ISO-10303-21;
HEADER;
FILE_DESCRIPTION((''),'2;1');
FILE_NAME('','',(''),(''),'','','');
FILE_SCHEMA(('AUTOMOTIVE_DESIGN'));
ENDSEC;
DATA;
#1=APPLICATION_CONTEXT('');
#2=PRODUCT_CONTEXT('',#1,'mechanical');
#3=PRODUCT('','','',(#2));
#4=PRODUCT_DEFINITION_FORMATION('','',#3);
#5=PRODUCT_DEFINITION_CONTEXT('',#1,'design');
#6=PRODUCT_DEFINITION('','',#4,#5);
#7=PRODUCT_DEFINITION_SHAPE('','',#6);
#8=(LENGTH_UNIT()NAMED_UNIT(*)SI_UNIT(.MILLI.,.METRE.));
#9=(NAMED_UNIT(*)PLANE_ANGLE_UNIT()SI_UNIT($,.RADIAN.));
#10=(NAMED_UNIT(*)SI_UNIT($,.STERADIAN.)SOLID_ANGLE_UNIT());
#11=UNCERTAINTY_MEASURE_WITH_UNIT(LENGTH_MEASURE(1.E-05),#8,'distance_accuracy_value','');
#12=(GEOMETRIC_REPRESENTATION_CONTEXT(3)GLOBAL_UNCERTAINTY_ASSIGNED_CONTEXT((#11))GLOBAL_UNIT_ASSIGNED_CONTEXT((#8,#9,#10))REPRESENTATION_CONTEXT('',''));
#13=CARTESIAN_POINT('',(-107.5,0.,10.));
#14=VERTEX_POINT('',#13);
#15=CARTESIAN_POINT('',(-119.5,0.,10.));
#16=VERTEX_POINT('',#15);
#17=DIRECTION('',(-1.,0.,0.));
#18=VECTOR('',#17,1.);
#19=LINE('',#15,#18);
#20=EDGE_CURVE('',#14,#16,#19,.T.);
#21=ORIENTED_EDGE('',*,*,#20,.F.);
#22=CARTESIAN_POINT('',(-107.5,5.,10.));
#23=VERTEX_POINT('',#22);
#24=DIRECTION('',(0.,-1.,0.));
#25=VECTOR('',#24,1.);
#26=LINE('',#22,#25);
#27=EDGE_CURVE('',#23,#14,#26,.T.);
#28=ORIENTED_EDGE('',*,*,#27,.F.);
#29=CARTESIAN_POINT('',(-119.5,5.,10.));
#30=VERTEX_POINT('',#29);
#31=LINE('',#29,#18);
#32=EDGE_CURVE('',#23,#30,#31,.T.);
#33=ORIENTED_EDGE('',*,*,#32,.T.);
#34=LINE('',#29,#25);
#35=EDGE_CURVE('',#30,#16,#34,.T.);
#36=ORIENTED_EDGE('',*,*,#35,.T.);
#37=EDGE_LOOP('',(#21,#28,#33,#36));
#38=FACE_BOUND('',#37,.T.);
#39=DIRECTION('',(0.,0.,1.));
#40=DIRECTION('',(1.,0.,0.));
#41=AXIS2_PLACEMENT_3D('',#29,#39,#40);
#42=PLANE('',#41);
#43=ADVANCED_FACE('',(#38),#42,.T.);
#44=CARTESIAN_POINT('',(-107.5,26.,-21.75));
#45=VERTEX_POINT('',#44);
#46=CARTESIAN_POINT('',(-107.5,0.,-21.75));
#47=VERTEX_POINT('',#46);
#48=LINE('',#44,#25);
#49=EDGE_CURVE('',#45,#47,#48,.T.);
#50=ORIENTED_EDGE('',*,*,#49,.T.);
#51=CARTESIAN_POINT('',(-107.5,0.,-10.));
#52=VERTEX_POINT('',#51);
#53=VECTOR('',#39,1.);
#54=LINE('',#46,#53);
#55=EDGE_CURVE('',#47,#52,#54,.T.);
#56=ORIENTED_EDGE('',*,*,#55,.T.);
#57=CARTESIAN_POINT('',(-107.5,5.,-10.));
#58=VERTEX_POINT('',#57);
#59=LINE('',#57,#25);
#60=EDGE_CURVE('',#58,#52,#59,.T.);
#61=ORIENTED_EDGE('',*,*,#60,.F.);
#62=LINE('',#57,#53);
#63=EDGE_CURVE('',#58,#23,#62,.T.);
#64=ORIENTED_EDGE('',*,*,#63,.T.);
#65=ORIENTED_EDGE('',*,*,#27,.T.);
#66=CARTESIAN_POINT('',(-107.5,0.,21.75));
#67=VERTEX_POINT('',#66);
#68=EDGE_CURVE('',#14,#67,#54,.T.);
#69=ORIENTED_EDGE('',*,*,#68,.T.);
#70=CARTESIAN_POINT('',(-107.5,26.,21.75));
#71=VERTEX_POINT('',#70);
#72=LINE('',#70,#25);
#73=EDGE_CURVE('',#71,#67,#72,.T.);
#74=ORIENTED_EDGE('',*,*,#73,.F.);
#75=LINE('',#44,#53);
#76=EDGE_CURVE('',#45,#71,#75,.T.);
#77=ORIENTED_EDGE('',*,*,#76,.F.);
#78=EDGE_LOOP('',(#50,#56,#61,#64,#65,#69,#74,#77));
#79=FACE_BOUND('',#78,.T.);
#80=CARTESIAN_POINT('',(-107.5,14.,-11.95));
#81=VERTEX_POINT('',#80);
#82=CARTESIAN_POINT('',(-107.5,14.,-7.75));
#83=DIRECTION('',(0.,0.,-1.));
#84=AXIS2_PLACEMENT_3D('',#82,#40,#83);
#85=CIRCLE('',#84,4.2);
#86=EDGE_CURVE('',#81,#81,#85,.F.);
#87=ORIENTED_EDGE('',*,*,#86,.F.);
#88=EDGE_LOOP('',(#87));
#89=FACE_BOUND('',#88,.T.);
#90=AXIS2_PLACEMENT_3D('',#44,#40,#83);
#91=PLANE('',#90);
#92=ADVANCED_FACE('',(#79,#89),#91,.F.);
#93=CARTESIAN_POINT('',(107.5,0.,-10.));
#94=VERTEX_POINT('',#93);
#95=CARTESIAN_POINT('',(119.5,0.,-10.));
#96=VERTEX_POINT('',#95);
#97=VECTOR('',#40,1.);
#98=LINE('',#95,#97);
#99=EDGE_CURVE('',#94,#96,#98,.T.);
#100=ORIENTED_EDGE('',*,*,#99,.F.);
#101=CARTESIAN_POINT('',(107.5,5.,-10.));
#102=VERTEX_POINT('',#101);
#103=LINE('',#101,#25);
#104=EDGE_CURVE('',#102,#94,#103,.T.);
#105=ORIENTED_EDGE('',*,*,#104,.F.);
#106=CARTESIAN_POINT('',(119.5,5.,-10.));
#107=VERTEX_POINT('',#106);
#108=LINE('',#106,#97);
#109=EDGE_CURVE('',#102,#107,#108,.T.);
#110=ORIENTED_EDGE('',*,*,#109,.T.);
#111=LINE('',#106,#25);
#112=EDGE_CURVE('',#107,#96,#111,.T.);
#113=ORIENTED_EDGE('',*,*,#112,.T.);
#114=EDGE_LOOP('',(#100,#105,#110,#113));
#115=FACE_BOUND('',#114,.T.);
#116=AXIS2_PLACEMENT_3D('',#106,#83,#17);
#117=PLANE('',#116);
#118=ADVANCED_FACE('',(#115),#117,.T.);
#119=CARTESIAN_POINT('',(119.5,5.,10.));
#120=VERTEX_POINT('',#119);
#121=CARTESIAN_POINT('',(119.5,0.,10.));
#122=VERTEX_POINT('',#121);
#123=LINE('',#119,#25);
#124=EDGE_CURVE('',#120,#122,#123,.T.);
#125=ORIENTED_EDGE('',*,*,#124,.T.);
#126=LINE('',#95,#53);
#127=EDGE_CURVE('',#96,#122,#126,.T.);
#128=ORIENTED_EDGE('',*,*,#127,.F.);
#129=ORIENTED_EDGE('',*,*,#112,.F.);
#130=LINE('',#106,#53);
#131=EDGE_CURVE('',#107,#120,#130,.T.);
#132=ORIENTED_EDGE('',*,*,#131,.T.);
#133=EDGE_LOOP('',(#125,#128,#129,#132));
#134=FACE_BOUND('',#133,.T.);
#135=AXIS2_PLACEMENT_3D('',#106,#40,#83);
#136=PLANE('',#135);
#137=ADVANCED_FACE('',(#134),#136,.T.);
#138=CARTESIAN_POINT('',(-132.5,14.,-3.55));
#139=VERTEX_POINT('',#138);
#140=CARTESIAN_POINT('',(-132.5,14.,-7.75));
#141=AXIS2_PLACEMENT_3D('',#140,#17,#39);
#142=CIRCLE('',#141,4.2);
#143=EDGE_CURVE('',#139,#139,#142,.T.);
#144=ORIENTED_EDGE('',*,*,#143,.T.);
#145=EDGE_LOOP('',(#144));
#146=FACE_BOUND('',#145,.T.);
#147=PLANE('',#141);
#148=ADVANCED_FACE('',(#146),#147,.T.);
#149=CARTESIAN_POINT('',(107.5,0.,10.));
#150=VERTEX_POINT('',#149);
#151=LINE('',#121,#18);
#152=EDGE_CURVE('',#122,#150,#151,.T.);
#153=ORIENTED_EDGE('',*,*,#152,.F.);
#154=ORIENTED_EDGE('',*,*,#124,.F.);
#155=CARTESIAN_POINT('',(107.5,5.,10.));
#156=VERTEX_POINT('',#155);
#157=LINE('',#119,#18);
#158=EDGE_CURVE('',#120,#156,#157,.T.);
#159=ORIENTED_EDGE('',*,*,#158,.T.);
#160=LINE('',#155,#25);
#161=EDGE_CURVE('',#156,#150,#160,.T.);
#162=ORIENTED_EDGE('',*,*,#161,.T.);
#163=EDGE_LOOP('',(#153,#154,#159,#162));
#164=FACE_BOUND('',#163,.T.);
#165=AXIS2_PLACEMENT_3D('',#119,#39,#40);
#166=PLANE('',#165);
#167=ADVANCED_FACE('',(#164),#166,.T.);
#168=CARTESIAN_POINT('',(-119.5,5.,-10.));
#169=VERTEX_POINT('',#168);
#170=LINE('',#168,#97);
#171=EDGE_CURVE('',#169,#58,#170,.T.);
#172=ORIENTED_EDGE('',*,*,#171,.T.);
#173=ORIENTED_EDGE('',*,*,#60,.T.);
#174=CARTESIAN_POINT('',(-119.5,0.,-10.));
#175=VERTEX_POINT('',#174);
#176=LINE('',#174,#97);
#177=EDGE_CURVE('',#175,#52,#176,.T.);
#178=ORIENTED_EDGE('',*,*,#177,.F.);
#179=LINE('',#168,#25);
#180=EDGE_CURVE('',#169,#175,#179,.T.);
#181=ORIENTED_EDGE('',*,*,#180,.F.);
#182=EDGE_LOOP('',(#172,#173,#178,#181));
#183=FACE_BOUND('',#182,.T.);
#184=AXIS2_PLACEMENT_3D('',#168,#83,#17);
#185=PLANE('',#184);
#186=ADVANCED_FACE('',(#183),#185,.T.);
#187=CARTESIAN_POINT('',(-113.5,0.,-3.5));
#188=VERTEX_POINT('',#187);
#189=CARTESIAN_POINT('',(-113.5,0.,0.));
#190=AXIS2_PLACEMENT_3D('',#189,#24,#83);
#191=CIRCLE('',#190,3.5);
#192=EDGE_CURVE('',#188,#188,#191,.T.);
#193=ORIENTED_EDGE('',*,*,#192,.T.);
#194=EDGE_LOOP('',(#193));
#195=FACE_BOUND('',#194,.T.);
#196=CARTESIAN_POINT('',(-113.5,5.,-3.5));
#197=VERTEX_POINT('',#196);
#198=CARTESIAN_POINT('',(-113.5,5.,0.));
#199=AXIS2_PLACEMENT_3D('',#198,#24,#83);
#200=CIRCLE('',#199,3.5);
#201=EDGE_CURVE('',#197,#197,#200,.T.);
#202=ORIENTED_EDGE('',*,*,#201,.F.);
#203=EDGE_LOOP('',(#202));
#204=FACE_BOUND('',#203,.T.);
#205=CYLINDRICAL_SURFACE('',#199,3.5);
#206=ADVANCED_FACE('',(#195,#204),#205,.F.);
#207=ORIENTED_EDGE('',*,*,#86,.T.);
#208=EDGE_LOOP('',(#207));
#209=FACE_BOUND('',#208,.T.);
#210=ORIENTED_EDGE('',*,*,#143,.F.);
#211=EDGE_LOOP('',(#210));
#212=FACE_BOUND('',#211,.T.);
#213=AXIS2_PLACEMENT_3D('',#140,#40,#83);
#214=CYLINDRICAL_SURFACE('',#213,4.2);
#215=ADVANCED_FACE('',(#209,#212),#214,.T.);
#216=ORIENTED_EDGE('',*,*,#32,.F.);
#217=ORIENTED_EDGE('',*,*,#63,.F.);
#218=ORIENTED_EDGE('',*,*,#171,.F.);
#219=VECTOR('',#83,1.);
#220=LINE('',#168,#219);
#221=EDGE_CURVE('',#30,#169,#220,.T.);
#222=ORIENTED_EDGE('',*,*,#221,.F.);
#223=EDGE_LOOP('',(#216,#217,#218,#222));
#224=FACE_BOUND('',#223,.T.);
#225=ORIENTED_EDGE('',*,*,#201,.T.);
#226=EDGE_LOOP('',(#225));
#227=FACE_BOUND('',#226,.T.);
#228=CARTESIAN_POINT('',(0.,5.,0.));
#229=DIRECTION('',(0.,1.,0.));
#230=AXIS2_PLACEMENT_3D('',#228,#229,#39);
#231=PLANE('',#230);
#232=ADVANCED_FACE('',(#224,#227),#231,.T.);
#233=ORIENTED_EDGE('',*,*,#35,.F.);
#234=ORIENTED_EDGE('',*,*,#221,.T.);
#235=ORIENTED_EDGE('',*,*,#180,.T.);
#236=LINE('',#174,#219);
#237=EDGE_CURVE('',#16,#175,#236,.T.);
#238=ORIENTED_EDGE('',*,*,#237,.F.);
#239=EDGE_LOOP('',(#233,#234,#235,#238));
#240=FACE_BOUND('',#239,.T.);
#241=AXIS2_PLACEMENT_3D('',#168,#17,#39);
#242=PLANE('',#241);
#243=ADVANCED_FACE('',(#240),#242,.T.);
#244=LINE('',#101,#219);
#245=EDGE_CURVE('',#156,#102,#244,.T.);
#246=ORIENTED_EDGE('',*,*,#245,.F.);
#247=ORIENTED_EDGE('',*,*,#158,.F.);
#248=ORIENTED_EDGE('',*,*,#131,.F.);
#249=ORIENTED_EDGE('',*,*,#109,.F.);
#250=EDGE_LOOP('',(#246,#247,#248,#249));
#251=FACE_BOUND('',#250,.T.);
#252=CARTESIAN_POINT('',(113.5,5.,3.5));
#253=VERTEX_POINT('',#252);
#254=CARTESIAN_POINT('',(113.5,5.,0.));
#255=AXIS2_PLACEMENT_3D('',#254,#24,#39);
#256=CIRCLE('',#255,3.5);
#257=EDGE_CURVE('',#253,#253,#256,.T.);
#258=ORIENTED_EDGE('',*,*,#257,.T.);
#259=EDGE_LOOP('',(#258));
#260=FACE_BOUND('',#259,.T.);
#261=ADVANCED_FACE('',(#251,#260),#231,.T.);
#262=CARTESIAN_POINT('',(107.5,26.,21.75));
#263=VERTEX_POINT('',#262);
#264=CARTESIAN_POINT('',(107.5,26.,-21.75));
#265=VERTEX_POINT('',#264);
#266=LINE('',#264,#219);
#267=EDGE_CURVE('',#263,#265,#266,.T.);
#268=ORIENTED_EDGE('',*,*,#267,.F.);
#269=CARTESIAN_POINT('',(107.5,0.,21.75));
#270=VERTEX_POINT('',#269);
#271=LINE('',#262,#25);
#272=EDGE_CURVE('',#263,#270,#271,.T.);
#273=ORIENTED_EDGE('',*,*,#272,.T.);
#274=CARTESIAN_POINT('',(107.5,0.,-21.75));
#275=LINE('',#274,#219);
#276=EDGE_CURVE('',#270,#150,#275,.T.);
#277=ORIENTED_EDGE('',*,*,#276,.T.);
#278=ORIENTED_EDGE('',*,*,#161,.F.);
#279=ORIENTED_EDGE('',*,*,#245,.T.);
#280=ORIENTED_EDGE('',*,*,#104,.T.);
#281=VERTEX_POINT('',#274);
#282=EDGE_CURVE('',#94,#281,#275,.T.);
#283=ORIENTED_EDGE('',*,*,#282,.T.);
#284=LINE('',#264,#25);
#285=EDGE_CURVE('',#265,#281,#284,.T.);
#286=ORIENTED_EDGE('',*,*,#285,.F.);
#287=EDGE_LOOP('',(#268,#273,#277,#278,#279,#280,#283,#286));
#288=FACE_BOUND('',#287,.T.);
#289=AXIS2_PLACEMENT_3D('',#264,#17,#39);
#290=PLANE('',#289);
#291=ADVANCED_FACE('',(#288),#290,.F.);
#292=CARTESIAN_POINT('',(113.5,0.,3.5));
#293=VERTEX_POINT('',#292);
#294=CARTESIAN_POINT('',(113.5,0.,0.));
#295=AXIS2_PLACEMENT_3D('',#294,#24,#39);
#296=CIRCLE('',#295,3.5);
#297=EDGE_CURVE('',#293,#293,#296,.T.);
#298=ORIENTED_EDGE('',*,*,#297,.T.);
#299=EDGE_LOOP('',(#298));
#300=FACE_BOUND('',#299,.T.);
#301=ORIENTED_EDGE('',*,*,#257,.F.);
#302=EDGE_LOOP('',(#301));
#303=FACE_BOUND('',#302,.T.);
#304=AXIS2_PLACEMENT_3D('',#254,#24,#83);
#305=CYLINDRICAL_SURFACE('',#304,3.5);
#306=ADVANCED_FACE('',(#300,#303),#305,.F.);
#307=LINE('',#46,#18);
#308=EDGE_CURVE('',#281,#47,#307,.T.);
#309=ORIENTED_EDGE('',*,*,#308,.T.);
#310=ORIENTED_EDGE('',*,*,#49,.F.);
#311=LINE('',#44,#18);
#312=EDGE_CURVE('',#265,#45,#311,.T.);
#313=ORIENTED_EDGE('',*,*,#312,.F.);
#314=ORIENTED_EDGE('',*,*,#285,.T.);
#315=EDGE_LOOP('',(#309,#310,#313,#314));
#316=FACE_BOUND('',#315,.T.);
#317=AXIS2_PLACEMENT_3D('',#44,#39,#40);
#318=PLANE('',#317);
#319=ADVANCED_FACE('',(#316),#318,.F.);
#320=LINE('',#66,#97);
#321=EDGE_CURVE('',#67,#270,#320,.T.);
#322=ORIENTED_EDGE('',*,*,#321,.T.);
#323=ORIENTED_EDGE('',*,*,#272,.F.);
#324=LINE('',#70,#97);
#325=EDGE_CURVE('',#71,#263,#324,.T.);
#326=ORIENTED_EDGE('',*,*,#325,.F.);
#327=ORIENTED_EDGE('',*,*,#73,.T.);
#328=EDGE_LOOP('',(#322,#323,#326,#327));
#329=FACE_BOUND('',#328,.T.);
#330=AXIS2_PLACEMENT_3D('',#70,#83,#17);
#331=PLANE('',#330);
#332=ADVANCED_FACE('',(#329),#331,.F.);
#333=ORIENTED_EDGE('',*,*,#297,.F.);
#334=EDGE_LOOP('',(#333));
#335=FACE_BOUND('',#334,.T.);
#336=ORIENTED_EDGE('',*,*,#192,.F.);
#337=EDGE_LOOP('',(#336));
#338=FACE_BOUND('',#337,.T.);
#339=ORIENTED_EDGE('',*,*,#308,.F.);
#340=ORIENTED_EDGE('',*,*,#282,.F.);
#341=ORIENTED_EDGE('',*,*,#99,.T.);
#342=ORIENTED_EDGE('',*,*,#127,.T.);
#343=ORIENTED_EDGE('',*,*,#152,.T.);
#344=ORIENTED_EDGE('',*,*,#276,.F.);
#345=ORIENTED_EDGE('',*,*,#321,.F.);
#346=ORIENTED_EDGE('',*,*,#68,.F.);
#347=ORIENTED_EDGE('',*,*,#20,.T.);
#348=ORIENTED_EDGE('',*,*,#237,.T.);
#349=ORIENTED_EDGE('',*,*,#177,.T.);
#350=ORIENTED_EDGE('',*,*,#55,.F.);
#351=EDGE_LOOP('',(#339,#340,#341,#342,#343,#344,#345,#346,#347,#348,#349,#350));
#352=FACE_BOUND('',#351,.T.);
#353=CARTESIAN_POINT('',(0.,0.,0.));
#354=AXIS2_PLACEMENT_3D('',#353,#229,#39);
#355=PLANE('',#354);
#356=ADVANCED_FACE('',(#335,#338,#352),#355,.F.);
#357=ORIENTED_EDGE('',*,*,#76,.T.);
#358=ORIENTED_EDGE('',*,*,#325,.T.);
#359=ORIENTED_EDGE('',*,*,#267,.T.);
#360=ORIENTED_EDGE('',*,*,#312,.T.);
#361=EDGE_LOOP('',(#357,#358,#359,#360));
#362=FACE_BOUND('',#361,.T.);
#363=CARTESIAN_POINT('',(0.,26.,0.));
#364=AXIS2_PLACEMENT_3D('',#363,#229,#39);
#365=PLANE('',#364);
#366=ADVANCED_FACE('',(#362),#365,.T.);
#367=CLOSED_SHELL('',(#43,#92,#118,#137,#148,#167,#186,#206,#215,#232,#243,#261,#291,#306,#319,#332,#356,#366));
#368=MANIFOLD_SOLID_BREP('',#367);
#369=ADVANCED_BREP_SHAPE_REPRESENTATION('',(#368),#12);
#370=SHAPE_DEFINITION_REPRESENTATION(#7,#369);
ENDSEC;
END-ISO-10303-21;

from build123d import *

# Parameters (mm, degrees)
SKETCH_1_W      = 215
SKETCH_1_H      = 43.5
EXTRUDE_1_DEPTH = 26
SKETCH_2_W      = 12
SKETCH_2_H      = 20
SKETCH_2_R      = 3.5
EXTRUDE_2_DEPTH = 5
SKETCH_3_R      = 4.2
EXTRUDE_3_DEPTH = 25


with BuildPart() as part:
    # ｽｹｯﾁ1 → ﾎﾞｽ - 押し出し1 (new body)
    with BuildSketch(Plane(origin=(0, 0, 0), x_dir=(1, 0, 0), z_dir=(0, 1, 0))):
        Rectangle(SKETCH_1_W, SKETCH_1_H)
    extrude(amount=EXTRUDE_1_DEPTH)

    # ｽｹｯﾁ2 → ﾎﾞｽ - 押し出し2 (add)
    # profile 1 of 2: a face of its own
    with BuildSketch(Plane.XZ):
        with Locations((-113.5, 0)):
            Rectangle(SKETCH_2_W, SKETCH_2_H)
        with Locations(Location((-113.5, 0, 0), (0, 0, 270))):
            Circle(SKETCH_2_R, mode=Mode.SUBTRACT)
    # profile 2 of 2: a face of its own
    with BuildSketch(Plane.XZ):
        with Locations((113.5, 0)):
            Rectangle(SKETCH_2_W, SKETCH_2_H)
        with Locations(Location((113.5, 0, 0), (0, 0, 90))):
            Circle(SKETCH_2_R, mode=Mode.SUBTRACT)
    extrude(amount=-EXTRUDE_2_DEPTH)

    # ｽｹｯﾁ3 → ﾎﾞｽ - 押し出し3 (add)
    with BuildSketch(Plane.ZY.offset(107.5)):
        with Locations(Location((-7.75, 14, 0), (0, 0, 180))):
            Circle(SKETCH_3_R)
    extrude(amount=EXTRUDE_3_DEPTH)


solid = part.part
